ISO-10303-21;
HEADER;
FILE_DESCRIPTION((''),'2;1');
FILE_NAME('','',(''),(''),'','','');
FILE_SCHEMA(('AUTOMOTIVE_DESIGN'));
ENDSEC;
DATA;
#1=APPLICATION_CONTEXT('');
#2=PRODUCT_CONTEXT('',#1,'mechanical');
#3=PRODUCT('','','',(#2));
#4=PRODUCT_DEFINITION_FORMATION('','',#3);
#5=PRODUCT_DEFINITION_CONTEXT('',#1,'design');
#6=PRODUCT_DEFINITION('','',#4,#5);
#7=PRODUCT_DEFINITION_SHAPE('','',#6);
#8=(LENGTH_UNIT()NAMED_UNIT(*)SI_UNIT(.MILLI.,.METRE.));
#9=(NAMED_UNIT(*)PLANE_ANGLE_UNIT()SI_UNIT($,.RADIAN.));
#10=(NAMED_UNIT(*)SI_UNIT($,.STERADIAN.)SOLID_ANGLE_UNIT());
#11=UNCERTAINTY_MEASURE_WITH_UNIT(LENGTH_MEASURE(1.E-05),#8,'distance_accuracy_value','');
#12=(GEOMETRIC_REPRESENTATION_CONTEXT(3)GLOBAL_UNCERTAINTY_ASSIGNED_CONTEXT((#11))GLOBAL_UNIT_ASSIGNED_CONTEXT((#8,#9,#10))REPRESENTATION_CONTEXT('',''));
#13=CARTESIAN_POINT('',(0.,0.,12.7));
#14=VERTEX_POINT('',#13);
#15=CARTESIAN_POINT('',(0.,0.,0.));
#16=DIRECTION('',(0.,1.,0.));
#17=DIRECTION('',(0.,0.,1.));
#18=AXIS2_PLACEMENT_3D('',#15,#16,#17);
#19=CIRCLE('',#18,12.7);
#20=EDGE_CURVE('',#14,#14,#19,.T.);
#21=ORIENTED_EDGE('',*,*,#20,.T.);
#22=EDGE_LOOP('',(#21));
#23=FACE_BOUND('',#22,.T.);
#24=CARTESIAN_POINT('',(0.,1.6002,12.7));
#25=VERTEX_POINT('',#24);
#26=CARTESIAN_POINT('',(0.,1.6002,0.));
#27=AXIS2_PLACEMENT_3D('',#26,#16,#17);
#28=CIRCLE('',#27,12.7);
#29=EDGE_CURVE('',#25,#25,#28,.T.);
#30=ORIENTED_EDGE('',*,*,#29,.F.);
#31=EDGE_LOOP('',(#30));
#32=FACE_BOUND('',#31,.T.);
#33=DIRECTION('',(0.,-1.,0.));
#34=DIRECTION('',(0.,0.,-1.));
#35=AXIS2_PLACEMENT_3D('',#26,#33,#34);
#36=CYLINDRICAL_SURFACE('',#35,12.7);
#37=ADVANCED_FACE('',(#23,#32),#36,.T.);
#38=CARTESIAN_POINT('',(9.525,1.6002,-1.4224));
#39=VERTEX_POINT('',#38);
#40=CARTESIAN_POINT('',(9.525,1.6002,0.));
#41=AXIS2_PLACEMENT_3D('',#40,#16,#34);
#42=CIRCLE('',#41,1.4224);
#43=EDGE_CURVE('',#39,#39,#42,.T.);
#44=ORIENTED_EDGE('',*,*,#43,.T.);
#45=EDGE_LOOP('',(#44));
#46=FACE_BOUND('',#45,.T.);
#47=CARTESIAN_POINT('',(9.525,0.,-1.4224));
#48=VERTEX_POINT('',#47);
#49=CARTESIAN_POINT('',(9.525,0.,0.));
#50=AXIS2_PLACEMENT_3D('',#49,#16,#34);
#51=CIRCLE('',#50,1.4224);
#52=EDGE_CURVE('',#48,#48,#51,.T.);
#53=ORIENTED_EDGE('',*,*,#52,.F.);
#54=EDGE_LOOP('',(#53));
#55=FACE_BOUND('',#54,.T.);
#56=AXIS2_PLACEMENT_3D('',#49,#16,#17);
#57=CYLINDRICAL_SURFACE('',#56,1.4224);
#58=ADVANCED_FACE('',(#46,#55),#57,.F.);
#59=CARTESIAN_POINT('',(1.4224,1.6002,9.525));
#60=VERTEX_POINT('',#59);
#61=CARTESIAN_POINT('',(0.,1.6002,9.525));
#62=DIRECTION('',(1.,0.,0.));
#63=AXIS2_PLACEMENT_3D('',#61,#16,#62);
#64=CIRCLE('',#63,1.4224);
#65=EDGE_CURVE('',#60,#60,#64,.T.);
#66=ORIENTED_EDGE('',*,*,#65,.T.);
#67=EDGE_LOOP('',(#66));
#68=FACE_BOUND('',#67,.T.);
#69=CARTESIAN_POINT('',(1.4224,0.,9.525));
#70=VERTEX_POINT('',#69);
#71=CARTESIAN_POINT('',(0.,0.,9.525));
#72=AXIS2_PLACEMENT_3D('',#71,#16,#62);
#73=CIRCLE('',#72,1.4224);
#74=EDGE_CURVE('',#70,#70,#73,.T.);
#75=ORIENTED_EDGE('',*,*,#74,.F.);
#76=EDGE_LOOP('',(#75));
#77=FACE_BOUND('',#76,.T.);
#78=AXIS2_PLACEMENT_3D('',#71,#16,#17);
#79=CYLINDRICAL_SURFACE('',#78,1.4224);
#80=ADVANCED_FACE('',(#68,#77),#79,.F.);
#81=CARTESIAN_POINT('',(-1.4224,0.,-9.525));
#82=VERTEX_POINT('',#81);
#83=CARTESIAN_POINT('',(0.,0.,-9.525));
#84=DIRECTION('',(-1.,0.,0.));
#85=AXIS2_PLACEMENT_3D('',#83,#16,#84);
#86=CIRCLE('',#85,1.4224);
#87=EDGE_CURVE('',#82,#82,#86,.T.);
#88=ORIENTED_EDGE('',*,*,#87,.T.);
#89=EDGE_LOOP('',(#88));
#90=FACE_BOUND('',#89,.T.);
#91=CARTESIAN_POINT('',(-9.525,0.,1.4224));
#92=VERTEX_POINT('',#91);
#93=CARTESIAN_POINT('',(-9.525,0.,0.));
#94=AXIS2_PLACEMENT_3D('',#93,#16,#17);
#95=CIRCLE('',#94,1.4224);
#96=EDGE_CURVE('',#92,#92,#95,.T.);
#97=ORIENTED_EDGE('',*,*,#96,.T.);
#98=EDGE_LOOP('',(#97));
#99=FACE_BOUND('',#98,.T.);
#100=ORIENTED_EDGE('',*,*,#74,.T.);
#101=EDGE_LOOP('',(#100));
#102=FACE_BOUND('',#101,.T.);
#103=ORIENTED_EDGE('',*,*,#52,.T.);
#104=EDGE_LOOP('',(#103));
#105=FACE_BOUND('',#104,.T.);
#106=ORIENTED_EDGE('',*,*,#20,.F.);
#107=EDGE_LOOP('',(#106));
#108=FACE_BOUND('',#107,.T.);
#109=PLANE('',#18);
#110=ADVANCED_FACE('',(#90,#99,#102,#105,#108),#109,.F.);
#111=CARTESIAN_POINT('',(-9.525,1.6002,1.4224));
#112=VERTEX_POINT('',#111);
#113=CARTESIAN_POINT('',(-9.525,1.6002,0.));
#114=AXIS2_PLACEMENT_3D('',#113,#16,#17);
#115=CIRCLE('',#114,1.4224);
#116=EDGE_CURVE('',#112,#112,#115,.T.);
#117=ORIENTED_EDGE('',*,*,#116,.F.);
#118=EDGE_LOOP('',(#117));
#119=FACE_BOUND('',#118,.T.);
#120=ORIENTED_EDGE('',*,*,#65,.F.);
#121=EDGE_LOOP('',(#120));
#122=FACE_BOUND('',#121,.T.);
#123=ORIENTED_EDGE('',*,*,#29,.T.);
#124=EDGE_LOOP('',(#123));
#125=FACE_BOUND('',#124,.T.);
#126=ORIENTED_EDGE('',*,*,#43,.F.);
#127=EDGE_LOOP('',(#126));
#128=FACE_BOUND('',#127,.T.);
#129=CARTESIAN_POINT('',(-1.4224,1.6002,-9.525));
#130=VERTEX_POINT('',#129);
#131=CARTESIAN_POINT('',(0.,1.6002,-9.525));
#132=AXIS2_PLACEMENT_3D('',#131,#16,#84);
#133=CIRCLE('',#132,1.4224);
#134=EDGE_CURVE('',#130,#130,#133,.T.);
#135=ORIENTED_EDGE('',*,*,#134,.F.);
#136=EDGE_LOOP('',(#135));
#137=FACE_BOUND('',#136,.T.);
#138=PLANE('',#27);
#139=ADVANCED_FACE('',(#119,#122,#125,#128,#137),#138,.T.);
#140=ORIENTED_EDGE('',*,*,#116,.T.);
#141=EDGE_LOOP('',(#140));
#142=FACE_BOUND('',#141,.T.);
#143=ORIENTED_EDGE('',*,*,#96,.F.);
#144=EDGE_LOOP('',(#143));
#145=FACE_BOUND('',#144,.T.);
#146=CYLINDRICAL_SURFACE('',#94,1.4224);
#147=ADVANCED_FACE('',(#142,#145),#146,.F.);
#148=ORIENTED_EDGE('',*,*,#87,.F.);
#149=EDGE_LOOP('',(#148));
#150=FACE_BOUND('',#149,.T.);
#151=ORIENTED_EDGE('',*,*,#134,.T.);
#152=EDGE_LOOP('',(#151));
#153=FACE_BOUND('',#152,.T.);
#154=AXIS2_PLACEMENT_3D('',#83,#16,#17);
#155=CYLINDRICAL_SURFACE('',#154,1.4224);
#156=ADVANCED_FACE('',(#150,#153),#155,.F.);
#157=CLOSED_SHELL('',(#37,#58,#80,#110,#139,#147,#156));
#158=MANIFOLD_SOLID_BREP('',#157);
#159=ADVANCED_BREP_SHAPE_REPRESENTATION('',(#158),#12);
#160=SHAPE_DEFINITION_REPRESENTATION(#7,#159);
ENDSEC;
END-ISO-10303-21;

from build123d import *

# Parameters (mm, degrees)
SKETCH1_R           = 12.7
BOSS_EXTRUDE1_DEPTH = 1.6002
SKETCH2_R           = 1.4224
CUT_EXTRUDE1_DEPTH  = 1.6002
CIRPATTERN1_COUNT   = 4


with BuildPart() as part:
    # Sketch1 → Boss-Extrude1 (new body)
    with BuildSketch(Plane(origin=(0, 0, 0), x_dir=(1, 0, 0), z_dir=(0, 1, 0))):
        Circle(SKETCH1_R)
    extrude(amount=BOSS_EXTRUDE1_DEPTH)

    # Sketch2 → Cut-Extrude1 (cut)
    with BuildSketch(Plane(origin=(0, 1.6002, 0), x_dir=(1, 0, 0), z_dir=(0, 1, 0))):
        with Locations((-9.525, 0)):
            Circle(SKETCH2_R)
    cut_extrude1 = extrude(amount=-CUT_EXTRUDE1_DEPTH, mode=Mode.SUBTRACT)

    # CirPattern1: Cut-Extrude1 ×4 about axis
    cirpattern1_axis = Axis((0, 1.6002, 0), (0, -1, 0))
    for i in range(1, CIRPATTERN1_COUNT):
        add(cut_extrude1.rotate(cirpattern1_axis, i * 360 / CIRPATTERN1_COUNT), mode=Mode.SUBTRACT)


solid = part.part
